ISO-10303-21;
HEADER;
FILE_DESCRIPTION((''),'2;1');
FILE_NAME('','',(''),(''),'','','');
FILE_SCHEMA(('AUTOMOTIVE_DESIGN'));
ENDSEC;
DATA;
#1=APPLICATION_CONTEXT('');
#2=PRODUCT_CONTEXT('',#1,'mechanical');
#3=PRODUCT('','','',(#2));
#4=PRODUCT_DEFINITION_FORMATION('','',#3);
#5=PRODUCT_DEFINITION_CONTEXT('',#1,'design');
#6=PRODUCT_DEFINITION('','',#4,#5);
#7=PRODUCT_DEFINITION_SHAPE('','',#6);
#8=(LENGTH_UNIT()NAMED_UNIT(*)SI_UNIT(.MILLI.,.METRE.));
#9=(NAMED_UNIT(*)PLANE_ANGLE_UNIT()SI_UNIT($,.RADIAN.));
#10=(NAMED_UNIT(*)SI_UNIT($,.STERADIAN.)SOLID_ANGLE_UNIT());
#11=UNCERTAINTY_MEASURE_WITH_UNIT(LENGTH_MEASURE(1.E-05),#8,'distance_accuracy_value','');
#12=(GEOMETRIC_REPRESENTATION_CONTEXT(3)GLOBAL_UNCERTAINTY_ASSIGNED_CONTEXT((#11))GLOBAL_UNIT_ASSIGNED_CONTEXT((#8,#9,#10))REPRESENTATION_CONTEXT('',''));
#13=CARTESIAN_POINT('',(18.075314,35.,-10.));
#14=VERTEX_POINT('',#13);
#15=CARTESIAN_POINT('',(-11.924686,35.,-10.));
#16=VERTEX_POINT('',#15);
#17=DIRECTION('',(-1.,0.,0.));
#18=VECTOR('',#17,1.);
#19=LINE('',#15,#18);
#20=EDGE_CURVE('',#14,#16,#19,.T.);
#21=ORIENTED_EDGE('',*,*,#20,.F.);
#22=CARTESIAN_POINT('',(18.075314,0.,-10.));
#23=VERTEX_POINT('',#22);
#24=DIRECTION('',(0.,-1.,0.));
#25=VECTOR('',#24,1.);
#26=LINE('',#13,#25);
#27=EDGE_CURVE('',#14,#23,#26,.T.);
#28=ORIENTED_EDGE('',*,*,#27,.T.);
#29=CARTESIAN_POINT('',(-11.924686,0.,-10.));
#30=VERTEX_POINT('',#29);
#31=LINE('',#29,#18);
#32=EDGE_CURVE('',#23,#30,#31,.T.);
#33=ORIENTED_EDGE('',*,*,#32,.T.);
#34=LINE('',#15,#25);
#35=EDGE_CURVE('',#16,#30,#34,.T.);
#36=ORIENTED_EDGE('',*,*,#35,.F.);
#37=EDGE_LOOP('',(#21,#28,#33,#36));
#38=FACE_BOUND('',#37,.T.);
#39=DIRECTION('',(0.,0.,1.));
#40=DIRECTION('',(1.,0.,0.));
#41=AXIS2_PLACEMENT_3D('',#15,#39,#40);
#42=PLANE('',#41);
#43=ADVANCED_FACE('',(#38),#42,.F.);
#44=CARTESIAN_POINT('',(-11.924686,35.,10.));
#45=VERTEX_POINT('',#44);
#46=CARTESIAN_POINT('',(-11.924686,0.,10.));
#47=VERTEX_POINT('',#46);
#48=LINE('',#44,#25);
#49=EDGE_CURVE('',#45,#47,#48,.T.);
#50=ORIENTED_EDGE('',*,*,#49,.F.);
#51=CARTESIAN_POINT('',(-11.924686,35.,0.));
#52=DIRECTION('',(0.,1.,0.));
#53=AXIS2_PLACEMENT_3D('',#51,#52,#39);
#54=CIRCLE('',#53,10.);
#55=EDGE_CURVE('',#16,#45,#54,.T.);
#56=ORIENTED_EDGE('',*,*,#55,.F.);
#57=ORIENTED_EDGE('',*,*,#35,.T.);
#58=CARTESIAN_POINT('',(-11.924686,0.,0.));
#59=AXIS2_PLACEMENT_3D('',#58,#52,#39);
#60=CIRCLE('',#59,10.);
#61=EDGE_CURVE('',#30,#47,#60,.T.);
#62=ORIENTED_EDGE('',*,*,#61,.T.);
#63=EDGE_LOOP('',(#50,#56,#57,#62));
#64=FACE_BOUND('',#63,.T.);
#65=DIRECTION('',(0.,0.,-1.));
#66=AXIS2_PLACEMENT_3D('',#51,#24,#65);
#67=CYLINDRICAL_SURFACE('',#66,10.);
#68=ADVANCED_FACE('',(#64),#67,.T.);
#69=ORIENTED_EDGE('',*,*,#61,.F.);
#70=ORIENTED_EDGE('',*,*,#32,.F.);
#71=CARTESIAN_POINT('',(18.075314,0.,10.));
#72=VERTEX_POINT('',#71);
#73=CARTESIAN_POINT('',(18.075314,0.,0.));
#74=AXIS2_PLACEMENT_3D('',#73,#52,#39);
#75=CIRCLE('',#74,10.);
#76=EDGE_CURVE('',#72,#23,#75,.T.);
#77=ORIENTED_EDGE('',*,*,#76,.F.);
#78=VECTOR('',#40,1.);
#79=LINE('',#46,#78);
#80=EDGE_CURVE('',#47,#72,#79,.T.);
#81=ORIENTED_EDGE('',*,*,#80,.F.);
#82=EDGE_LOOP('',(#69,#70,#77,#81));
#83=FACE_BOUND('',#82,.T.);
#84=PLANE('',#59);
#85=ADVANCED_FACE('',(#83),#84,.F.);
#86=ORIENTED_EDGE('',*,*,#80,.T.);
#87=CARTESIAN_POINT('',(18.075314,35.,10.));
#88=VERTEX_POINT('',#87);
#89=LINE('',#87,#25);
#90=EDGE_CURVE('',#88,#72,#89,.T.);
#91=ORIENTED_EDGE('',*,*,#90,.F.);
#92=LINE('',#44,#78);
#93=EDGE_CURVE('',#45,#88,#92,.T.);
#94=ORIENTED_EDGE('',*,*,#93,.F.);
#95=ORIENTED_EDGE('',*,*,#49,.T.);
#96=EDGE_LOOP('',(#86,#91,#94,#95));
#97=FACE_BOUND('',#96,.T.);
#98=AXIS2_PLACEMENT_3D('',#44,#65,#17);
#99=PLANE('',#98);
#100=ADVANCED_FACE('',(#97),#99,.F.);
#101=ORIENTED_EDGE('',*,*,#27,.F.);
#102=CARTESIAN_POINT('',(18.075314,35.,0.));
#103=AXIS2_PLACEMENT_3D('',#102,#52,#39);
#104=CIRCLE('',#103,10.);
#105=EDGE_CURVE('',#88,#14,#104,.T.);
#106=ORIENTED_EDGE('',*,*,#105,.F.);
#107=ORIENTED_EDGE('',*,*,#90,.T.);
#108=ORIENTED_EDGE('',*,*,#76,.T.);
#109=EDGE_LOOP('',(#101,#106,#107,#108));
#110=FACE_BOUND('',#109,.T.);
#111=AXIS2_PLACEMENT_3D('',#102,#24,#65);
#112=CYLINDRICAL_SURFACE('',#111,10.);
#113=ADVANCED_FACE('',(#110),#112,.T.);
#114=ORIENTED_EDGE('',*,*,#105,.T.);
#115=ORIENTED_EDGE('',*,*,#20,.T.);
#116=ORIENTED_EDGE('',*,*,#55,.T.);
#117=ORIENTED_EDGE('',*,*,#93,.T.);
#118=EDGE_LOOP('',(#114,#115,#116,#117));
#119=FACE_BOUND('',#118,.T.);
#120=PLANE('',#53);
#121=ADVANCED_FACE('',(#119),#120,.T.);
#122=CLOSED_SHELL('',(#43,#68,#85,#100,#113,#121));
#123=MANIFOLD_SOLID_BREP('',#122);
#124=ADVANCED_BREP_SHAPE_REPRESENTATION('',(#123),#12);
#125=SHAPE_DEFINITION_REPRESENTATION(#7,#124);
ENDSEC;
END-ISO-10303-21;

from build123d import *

# Parameters (mm, degrees)
EXTRUDE_1_DEPTH = 35


with BuildPart() as part:
    # 스케치1 → 보스-돌출1 (new body)
    with BuildSketch(Plane(origin=(0, 0, 0), x_dir=(1, 0, 0), z_dir=(0, 1, 0))):
        with BuildLine():
            Line((-11.924686192, 10), (18.075313808, 10))
            ThreePointArc((18.075313808, 10), (28.075313808, 0), (18.075313808, -10))
            Line((18.075313808, -10), (-11.924686192, -10))
            ThreePointArc((-11.924686192, -10), (-21.924686192, 0), (-11.924686192, 10))
        make_face()
    extrude(amount=EXTRUDE_1_DEPTH)


solid = part.part
